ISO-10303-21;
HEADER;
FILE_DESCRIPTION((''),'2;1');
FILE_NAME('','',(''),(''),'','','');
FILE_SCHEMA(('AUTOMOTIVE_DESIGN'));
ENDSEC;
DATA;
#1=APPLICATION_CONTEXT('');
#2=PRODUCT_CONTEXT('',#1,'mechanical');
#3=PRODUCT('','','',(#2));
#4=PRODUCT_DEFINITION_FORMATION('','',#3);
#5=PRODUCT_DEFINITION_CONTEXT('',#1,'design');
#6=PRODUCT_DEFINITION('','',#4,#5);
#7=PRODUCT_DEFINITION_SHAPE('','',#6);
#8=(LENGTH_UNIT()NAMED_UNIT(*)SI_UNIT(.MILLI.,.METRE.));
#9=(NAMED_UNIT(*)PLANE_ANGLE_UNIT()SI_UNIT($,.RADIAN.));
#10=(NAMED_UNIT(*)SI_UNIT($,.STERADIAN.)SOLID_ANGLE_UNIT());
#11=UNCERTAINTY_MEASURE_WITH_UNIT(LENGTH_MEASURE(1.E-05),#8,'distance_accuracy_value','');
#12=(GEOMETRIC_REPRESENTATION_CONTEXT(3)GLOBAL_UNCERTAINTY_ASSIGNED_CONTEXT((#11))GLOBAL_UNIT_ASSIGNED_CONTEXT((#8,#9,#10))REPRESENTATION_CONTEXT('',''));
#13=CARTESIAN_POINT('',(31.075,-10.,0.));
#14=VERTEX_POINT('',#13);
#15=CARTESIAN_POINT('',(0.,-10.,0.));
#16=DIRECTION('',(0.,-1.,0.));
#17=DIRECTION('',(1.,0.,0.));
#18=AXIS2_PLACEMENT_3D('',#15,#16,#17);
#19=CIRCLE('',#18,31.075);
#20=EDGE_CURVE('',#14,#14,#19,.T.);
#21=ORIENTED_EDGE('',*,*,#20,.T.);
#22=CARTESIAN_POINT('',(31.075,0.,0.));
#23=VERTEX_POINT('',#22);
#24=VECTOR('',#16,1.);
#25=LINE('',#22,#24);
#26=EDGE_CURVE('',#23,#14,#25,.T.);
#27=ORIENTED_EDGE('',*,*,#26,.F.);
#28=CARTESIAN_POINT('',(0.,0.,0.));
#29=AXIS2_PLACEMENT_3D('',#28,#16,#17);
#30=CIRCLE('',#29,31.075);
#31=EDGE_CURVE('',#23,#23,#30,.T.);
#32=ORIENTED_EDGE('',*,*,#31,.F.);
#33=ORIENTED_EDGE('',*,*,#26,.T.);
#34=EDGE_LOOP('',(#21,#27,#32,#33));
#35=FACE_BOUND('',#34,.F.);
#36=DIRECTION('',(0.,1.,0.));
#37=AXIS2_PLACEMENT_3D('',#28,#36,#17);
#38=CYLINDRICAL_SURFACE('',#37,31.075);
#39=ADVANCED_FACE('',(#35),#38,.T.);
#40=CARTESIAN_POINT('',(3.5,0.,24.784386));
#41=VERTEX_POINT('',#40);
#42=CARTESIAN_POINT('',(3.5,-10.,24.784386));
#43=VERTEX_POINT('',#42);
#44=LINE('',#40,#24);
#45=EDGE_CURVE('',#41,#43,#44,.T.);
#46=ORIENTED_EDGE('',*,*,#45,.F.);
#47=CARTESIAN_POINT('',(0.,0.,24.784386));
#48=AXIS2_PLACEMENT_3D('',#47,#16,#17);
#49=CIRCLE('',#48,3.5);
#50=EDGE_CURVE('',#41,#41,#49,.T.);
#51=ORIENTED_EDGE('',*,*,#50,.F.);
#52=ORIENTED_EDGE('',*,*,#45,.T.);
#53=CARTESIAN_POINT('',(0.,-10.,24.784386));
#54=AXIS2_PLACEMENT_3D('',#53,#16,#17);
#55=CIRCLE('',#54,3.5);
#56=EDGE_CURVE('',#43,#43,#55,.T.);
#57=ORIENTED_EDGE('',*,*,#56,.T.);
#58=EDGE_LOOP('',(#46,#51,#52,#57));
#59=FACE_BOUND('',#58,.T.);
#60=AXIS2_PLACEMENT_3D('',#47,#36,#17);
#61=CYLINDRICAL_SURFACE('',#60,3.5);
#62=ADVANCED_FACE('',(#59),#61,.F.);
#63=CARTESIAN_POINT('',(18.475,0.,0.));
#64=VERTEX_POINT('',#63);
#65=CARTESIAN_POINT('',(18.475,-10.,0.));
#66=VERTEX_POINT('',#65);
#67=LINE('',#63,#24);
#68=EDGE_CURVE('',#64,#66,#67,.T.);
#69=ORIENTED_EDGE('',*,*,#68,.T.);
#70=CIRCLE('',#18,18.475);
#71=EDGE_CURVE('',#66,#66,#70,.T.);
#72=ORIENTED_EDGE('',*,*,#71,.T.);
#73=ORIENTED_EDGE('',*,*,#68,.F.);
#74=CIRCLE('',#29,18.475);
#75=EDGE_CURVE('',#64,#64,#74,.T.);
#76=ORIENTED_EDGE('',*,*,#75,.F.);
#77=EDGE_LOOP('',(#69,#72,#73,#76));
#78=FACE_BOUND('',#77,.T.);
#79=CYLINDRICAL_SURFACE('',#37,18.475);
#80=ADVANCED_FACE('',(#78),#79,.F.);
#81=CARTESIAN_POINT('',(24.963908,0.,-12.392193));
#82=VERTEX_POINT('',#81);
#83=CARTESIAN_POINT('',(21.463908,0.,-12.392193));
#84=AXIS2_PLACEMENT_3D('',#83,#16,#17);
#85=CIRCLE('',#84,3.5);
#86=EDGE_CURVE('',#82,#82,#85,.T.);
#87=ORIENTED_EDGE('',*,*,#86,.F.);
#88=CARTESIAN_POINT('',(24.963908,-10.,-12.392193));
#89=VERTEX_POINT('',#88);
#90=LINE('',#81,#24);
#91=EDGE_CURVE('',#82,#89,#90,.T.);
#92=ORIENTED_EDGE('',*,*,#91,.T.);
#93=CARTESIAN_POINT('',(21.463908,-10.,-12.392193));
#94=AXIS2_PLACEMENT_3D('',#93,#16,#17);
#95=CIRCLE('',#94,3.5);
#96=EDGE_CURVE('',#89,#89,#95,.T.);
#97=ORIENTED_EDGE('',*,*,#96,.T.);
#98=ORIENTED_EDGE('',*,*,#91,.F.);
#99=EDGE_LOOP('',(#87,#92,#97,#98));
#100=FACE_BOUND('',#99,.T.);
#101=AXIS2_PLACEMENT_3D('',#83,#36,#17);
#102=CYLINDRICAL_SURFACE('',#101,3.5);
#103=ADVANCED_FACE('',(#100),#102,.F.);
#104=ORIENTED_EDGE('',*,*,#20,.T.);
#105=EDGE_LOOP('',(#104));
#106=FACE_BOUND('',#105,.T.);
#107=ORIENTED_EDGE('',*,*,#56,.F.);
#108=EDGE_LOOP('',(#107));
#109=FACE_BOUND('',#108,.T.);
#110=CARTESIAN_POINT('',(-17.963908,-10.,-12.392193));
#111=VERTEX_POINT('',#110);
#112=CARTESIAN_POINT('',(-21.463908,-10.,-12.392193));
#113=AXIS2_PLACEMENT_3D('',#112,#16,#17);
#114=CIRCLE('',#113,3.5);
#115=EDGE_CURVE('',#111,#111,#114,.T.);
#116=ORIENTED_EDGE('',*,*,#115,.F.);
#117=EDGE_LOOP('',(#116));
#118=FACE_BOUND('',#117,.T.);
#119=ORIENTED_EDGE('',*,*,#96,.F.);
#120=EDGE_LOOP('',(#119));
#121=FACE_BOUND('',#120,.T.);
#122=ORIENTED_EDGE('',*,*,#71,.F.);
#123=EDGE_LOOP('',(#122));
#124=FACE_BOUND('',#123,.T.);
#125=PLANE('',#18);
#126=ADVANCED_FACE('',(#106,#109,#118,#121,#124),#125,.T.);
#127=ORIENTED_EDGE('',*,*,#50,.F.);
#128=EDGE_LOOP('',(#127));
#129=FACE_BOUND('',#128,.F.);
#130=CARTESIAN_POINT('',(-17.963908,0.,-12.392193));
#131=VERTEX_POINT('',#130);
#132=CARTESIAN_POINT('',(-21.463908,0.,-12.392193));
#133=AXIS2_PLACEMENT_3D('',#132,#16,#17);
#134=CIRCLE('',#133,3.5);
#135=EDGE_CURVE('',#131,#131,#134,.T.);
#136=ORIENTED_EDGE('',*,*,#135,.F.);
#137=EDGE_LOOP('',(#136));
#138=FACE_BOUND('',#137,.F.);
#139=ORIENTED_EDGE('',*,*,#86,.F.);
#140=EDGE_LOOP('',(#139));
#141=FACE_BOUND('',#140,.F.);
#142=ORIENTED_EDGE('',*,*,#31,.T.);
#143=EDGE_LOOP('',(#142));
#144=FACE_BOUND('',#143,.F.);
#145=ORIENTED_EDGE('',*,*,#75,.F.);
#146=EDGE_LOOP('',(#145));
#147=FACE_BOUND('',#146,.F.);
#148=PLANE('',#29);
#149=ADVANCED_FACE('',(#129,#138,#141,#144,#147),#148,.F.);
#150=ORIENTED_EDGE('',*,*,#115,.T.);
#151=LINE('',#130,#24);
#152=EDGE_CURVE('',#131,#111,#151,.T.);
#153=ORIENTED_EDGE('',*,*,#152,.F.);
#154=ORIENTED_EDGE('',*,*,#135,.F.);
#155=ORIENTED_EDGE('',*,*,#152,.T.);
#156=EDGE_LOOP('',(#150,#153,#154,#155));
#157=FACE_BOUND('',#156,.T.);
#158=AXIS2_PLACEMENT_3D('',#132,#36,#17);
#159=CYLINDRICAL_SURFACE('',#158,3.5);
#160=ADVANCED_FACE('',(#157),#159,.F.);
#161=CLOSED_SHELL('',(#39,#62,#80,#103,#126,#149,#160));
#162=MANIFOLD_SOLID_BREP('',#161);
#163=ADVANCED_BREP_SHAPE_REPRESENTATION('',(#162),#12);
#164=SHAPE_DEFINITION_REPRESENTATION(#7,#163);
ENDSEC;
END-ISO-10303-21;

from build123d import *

# Parameters (mm, degrees)
F0_R     = 31.075
F0_R_2   = 18.475
F1_DEPTH = 10
F2_R     = 3.5
F3_DEPTH = 10


with BuildPart() as f1:
    # F0 (on Front) → F1 (new body)
    with BuildSketch(Plane.XZ):
        Circle(F0_R)
        Circle(F0_R_2, mode=Mode.SUBTRACT)
    extrude(amount=F1_DEPTH)

    # F2 (on Front) → F3 (cut)
    with BuildSketch(Plane.XZ):
        with Locations((0, 24.784386)):
            Circle(F2_R)
        with Locations((21.463908, -12.392193)):
            Circle(F2_R)
        with Locations((-21.463908, -12.392193)):
            Circle(F2_R)
    extrude(amount=F3_DEPTH, mode=Mode.SUBTRACT)


solid = f1.part
